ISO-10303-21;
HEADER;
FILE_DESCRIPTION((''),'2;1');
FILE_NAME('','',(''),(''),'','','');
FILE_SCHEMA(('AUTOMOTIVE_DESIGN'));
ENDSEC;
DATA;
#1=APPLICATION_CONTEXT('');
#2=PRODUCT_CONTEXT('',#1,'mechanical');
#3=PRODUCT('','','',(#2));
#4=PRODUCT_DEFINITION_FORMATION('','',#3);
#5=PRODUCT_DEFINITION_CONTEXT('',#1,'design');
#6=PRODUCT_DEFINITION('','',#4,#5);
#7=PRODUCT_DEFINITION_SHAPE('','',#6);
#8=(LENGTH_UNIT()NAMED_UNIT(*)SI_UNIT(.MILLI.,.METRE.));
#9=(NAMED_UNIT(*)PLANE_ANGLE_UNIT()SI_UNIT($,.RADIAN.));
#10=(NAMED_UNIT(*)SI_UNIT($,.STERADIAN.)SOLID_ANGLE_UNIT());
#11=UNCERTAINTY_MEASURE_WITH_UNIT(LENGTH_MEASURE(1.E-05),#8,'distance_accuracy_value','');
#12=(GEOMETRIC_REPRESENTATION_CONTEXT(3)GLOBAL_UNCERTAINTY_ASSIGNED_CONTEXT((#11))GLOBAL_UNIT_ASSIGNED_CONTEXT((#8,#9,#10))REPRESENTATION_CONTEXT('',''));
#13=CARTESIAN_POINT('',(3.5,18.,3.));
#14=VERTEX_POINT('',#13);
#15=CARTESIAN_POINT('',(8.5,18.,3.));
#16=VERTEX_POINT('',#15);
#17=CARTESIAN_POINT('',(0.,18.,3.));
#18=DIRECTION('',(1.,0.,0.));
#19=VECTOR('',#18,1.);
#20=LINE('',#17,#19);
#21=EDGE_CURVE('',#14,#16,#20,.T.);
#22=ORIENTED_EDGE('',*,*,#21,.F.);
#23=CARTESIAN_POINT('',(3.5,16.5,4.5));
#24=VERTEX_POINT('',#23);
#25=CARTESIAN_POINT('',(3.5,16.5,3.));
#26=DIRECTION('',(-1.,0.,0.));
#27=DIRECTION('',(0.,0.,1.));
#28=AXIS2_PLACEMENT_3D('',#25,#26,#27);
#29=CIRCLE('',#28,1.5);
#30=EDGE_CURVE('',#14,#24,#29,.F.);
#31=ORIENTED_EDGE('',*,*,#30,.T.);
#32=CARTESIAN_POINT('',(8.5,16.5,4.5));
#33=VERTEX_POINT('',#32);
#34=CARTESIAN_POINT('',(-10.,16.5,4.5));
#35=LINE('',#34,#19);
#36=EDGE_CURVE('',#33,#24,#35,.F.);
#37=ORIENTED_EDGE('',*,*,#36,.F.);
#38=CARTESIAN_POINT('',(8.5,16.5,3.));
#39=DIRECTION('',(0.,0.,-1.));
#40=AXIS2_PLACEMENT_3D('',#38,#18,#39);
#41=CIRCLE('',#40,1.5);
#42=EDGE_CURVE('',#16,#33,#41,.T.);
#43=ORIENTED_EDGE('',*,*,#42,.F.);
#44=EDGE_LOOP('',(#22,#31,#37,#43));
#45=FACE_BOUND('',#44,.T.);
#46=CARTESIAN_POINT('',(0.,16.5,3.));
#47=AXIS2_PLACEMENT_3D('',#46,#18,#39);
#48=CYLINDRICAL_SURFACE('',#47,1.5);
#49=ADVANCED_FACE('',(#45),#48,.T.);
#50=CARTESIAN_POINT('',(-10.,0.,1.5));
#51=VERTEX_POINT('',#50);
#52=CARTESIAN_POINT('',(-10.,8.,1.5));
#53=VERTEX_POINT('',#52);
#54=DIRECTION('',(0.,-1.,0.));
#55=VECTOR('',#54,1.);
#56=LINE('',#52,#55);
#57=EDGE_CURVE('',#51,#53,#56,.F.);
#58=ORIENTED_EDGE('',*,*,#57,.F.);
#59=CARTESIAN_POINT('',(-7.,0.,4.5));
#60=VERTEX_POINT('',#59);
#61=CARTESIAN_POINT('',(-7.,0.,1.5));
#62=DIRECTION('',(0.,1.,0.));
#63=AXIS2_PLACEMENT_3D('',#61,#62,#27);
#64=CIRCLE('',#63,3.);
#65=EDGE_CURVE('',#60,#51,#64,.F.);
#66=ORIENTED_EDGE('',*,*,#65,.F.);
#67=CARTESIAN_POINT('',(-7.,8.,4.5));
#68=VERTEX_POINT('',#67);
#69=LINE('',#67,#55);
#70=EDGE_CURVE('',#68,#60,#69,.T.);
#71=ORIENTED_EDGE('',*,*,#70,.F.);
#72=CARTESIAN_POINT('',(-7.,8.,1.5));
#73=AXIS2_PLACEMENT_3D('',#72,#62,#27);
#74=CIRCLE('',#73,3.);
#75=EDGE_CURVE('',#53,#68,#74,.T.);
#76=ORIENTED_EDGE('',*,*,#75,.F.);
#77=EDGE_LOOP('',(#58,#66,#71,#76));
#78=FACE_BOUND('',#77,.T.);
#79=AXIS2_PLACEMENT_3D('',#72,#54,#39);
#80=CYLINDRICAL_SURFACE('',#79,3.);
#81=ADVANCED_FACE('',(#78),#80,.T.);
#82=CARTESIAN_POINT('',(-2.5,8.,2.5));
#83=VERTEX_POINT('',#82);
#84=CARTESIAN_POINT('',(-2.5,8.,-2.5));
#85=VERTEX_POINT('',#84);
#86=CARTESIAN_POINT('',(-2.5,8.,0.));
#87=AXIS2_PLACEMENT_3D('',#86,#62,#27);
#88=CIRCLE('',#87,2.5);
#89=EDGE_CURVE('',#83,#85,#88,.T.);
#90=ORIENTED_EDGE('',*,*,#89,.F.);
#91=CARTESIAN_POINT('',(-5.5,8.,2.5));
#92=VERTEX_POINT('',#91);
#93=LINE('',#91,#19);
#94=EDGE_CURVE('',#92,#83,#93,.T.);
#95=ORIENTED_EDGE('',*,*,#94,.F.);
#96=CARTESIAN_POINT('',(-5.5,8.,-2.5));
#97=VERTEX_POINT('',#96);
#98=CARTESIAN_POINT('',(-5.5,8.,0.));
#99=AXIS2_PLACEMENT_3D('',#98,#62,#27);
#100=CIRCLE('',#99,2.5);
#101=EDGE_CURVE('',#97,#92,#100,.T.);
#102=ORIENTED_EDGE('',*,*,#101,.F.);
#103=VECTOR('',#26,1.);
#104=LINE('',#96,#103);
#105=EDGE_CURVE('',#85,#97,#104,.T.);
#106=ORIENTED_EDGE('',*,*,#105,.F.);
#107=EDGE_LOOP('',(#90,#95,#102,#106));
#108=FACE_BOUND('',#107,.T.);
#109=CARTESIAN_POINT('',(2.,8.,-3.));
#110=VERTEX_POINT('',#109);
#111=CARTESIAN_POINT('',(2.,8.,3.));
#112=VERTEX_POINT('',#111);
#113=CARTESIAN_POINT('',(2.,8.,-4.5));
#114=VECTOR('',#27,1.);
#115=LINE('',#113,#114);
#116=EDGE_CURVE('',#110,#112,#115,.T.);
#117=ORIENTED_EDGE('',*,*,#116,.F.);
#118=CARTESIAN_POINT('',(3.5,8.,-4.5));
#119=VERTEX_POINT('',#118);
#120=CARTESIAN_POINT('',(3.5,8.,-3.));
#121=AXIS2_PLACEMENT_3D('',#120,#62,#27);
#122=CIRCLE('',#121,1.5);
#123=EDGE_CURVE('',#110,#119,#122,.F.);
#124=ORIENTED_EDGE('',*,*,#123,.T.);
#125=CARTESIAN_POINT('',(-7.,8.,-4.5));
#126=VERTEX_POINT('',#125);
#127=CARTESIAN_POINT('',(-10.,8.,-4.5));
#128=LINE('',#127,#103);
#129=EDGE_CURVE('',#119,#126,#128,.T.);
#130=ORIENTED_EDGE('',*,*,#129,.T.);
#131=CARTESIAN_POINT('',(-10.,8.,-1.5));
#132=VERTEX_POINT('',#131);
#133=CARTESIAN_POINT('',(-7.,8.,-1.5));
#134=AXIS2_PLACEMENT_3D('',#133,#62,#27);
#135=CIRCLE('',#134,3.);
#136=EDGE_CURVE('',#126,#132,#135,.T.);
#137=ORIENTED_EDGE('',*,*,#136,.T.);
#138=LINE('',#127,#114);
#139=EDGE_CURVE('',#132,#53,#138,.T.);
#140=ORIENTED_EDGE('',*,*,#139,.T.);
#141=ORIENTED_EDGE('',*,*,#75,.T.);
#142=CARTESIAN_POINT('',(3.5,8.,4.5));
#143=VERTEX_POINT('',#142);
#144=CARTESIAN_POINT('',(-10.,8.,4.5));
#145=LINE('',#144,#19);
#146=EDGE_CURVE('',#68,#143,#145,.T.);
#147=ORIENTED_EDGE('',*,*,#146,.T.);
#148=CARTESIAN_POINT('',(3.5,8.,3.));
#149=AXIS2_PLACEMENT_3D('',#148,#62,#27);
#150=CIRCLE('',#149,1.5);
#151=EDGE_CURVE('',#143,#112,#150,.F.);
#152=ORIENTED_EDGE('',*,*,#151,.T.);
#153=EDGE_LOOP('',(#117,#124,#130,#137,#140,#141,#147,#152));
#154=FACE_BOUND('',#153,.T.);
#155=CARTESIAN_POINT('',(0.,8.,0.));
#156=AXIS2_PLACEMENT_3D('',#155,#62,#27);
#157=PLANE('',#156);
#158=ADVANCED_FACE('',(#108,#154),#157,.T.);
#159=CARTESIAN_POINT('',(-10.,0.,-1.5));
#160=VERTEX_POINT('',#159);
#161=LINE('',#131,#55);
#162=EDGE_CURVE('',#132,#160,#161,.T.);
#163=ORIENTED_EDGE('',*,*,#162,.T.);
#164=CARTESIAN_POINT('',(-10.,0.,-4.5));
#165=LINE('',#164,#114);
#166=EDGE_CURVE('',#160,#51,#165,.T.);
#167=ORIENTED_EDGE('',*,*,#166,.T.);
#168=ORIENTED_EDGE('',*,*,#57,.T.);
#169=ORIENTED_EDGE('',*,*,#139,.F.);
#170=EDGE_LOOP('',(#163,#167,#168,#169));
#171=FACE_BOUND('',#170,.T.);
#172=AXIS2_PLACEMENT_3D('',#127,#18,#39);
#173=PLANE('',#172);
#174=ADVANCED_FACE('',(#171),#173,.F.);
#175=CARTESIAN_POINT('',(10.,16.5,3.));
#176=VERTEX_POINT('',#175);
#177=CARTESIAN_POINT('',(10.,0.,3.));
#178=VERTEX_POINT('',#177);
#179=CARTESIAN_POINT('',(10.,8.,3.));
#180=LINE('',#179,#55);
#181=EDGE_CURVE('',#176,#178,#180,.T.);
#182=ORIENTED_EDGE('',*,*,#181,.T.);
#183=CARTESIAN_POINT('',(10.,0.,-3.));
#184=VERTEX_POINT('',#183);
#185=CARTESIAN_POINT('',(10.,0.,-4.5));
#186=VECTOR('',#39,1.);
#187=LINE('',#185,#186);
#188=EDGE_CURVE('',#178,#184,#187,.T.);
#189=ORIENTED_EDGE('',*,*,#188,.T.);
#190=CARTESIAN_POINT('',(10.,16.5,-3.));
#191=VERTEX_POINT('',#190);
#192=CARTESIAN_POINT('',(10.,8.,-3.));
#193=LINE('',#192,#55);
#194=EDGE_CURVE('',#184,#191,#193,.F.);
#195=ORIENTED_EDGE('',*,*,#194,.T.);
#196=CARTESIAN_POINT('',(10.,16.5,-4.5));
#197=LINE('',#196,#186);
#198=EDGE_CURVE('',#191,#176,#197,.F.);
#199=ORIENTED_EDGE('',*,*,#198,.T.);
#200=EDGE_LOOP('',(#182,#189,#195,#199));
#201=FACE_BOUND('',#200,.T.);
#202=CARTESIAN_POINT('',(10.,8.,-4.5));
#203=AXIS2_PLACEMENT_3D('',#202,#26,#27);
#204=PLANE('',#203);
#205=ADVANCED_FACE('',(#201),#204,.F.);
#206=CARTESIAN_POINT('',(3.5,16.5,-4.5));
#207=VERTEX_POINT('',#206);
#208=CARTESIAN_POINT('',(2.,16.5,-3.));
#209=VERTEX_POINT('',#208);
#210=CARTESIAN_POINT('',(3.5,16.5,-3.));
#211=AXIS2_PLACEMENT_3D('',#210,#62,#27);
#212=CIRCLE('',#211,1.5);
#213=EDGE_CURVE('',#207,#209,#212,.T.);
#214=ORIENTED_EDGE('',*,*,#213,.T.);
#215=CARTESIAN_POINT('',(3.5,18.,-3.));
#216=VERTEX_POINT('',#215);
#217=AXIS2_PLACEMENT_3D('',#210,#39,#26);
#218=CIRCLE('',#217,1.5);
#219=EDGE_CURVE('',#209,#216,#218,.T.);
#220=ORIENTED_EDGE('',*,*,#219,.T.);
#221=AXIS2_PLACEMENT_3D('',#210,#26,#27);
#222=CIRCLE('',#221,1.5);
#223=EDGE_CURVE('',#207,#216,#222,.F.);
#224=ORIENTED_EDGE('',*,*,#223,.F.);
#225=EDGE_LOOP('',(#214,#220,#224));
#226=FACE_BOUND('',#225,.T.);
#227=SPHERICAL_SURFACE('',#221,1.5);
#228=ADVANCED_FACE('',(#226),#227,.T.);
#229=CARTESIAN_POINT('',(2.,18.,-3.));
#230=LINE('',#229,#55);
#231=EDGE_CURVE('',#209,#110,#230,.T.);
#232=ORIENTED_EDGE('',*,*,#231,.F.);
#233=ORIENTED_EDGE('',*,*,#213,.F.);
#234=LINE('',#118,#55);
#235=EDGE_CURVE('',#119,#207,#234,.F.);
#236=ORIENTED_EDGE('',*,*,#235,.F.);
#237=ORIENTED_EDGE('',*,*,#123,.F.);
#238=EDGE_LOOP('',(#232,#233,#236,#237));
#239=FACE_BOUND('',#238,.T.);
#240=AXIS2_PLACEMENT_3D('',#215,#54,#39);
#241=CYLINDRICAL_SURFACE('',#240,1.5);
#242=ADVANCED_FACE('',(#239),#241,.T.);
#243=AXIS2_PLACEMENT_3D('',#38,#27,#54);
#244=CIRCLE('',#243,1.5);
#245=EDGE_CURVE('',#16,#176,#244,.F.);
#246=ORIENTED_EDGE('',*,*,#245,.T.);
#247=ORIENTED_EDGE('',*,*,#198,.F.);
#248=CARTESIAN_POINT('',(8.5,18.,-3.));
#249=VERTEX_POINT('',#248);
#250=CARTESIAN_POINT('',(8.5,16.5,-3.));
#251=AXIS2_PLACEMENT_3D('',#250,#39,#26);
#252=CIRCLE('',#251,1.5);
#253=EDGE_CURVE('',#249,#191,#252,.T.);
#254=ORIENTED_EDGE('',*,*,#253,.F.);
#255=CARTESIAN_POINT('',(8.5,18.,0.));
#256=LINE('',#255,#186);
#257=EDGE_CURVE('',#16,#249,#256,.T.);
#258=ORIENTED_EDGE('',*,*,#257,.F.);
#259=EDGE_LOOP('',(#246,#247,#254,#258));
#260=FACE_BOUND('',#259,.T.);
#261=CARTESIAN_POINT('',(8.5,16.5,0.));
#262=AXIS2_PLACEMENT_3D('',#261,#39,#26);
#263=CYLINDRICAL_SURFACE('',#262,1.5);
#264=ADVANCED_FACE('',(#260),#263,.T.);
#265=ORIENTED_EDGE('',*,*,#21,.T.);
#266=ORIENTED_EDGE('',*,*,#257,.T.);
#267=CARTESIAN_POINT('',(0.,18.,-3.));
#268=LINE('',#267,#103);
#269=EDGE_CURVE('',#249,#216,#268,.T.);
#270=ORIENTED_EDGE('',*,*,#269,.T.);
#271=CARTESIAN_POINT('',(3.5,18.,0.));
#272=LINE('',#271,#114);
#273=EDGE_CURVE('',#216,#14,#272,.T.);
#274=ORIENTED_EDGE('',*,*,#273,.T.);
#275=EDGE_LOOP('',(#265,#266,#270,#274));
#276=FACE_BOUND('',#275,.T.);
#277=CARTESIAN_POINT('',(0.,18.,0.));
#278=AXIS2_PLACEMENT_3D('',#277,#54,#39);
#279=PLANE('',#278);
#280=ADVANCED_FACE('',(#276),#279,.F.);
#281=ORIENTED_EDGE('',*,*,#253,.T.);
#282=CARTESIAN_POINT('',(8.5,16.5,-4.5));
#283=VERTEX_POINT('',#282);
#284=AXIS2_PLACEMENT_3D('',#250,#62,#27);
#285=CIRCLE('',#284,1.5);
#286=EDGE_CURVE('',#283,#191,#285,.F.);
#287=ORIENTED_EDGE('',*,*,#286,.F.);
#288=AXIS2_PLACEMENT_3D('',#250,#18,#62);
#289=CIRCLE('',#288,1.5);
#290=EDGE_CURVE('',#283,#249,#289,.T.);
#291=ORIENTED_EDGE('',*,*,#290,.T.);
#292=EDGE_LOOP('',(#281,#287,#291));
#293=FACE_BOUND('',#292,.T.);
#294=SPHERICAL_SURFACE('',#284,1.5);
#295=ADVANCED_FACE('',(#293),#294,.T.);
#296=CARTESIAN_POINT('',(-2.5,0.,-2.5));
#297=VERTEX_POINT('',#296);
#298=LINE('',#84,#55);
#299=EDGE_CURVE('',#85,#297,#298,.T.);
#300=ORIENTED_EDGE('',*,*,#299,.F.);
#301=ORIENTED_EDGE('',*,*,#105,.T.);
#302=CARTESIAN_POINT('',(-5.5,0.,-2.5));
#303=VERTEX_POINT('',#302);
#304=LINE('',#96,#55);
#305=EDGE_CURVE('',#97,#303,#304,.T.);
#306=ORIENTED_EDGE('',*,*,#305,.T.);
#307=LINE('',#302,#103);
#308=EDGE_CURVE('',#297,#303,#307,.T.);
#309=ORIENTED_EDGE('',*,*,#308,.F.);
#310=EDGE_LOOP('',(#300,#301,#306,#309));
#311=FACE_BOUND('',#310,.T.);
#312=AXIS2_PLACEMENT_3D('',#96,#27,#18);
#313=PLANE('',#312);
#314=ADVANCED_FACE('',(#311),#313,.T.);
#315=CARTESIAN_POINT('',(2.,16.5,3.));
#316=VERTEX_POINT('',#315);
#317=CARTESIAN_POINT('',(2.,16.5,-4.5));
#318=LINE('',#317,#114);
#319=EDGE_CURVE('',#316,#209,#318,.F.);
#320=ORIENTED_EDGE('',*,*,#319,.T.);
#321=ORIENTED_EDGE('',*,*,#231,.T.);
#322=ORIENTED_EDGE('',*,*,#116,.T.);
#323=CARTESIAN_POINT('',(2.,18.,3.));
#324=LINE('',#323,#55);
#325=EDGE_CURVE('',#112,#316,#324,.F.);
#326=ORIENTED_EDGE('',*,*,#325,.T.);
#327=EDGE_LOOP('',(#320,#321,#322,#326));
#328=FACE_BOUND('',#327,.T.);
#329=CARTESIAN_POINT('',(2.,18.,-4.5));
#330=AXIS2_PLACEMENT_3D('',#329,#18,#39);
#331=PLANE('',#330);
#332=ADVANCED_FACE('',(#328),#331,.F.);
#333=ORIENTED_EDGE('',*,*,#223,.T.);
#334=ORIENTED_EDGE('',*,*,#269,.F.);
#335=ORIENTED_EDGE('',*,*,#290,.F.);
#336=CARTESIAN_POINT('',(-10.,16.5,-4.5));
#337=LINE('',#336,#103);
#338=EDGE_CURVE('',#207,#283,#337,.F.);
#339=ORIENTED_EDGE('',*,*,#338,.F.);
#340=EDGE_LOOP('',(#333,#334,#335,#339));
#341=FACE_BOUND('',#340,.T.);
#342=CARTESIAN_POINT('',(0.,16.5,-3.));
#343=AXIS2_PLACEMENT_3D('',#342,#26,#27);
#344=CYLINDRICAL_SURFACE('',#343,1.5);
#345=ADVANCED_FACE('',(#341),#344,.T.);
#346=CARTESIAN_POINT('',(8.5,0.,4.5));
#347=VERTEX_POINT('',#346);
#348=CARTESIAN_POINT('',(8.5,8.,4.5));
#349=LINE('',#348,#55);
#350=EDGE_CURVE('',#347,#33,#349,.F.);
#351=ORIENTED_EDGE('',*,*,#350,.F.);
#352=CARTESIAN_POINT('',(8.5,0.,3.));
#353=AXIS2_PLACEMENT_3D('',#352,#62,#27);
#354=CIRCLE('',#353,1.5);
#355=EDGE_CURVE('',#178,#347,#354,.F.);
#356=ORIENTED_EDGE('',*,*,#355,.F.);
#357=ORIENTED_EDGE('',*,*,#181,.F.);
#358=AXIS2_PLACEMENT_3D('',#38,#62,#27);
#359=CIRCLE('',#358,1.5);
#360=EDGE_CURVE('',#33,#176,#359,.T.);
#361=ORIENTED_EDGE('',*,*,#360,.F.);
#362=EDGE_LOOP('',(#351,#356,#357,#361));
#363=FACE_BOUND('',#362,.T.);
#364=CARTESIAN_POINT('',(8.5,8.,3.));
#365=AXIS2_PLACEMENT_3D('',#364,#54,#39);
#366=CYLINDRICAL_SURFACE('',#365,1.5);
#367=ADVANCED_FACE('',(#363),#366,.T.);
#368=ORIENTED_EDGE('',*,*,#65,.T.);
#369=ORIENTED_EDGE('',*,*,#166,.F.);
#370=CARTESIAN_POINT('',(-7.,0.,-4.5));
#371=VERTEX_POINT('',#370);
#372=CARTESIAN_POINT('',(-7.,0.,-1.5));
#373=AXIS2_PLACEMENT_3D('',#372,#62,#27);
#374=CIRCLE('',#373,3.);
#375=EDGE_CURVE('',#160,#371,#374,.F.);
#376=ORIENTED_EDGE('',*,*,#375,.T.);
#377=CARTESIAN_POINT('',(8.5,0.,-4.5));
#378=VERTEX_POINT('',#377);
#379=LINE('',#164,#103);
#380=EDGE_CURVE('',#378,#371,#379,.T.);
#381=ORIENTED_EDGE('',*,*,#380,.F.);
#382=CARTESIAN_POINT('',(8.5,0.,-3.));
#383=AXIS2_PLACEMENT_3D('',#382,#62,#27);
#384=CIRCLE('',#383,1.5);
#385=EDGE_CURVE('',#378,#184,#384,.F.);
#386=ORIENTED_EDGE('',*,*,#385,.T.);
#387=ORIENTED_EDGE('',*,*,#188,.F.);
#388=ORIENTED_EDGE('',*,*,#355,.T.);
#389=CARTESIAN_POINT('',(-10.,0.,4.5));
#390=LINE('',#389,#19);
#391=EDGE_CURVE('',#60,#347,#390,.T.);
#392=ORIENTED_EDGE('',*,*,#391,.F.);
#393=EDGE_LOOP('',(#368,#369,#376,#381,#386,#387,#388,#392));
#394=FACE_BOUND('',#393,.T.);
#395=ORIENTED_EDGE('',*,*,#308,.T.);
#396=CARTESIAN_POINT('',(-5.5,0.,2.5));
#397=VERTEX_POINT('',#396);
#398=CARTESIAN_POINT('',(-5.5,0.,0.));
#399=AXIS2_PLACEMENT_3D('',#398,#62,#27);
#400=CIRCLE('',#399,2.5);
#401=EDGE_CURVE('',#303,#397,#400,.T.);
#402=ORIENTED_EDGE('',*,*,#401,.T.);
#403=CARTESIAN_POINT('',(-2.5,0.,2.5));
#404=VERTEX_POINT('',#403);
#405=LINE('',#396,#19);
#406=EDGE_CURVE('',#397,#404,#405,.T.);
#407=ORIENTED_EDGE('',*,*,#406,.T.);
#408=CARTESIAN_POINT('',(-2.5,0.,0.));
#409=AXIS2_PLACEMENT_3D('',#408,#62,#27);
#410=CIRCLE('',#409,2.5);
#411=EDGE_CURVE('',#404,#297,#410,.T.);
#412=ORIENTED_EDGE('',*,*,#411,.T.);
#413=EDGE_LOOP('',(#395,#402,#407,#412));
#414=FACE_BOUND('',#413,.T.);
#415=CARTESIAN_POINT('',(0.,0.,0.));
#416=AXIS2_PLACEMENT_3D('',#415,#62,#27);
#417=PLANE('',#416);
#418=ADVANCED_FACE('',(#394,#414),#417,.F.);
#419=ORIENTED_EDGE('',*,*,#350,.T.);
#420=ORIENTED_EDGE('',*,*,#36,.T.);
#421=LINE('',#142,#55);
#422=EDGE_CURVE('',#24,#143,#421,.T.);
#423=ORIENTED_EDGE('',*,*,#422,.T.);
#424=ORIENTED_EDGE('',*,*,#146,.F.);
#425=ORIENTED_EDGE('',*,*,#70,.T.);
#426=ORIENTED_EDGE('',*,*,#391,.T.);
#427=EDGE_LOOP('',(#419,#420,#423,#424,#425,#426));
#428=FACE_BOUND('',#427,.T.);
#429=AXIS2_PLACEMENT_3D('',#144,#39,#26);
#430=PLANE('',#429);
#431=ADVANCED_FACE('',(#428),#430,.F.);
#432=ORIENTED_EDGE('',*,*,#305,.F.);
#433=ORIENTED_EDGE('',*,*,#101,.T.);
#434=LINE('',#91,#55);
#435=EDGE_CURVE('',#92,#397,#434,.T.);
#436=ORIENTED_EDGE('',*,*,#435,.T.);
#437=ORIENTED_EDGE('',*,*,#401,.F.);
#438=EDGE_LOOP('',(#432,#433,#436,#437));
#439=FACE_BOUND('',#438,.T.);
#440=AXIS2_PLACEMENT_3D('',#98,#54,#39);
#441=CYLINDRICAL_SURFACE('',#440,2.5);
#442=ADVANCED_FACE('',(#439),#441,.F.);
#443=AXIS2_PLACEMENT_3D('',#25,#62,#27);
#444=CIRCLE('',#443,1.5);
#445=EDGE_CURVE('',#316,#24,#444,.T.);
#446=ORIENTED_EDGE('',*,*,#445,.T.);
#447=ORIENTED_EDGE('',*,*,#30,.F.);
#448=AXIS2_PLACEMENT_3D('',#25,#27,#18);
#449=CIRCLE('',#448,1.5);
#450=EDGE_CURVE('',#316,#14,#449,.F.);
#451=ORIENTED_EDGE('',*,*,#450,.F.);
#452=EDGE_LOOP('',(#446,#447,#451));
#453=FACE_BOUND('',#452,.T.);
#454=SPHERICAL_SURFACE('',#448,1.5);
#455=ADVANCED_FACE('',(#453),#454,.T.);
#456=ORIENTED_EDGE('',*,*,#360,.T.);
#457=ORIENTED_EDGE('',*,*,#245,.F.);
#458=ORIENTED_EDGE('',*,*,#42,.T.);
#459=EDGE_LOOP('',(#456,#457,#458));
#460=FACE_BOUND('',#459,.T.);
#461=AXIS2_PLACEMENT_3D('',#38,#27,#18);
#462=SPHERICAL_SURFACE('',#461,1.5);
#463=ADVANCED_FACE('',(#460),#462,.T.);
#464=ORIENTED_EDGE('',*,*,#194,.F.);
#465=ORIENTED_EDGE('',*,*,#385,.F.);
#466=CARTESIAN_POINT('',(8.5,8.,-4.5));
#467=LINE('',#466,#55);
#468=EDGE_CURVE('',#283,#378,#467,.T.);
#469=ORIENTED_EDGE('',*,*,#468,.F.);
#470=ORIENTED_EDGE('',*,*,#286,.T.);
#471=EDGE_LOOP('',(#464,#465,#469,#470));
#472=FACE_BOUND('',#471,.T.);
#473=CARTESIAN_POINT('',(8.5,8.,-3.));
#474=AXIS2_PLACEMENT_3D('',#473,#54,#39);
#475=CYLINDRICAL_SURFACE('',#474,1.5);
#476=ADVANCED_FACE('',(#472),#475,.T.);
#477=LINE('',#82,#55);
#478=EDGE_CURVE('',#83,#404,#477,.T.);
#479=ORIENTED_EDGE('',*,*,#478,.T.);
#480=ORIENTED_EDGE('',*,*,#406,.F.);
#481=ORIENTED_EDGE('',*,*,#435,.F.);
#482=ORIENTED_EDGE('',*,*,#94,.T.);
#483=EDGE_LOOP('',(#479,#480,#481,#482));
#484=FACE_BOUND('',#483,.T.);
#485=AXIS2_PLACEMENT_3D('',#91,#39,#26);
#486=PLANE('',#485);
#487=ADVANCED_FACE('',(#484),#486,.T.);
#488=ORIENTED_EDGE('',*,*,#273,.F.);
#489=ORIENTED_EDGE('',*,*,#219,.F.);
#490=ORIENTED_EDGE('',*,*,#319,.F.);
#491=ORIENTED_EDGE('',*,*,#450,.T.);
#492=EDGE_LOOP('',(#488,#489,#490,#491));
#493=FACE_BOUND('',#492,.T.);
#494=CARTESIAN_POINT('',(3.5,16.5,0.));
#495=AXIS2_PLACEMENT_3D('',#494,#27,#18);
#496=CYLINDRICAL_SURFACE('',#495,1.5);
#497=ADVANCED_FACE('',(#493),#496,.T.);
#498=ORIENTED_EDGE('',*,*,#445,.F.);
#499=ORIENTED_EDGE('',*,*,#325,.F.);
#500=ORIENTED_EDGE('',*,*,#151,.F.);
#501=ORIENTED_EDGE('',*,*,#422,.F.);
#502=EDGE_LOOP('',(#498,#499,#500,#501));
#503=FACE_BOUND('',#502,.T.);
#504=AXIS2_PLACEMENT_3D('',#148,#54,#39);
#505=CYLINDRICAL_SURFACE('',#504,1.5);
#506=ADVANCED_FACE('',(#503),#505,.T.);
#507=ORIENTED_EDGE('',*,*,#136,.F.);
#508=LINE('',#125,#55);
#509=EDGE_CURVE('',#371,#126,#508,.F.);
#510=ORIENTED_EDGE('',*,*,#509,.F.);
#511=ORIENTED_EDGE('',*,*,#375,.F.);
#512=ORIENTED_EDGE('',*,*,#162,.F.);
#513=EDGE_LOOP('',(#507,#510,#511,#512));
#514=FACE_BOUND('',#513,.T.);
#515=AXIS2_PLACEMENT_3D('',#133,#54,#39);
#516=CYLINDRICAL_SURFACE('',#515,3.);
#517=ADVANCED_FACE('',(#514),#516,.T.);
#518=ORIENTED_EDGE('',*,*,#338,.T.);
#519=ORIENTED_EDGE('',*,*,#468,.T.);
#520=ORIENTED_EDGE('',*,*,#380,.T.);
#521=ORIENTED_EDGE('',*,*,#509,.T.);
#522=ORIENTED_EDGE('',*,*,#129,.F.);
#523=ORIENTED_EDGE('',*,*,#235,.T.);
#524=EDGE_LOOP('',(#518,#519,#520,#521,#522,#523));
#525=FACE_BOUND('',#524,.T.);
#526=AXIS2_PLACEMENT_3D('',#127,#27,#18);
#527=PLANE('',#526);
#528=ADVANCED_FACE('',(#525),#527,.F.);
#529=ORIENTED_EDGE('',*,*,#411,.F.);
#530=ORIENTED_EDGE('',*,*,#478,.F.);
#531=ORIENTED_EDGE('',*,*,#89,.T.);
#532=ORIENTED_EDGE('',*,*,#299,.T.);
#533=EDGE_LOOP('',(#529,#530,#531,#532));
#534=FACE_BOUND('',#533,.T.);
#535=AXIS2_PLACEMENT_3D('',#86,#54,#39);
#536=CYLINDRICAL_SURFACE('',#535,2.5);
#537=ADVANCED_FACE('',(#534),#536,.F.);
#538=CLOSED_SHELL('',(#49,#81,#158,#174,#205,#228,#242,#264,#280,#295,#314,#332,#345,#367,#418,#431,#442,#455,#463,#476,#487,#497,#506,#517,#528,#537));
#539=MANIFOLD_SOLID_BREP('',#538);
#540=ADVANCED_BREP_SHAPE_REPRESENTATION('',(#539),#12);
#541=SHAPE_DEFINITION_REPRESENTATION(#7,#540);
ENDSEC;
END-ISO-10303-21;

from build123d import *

# Parameters (mm, degrees)
SKETCH1_W           = 20
SKETCH1_H           = 9
BOSS_EXTRUDE1_DEPTH = 8
SKETCH2_W           = 8
SKETCH2_H           = 9
BOSS_EXTRUDE2_DEPTH = 10
FILLET1_R           = 3
FILLET3_R           = 1.5


with BuildPart() as part:
    # Sketch1 → Boss-Extrude1 (new body)
    with BuildSketch(Plane(origin=(0, 0, 0), x_dir=(1, 0, 0), z_dir=(0, 1, 0))):
        Rectangle(SKETCH1_W, SKETCH1_H)
        with BuildLine():
            Line((-5.5, 2.5), (-2.5, 2.5))
            ThreePointArc((-2.5, 2.5), (0, 0), (-2.5, -2.5))
            Line((-2.5, -2.5), (-5.5, -2.5))
            ThreePointArc((-5.5, -2.5), (-8, 0), (-5.5, 2.5))
        make_face(mode=Mode.SUBTRACT)
    extrude(amount=BOSS_EXTRUDE1_DEPTH)

    # Sketch2 → Boss-Extrude2 (add)
    with BuildSketch(Plane(origin=(0, 8, 0), x_dir=(1, 0, 0), z_dir=(0, 1, 0))):
        with Locations((6, 0)):
            Rectangle(SKETCH2_W, SKETCH2_H)
    extrude(amount=BOSS_EXTRUDE2_DEPTH)

    # Fillet1
    fillet1_edges = [part.edges().sort_by_distance(p)[0] for p in [
        (-10, 4, 4.5),
        (-10, 4, -4.5),
    ]]
    fillet(fillet1_edges, radius=FILLET1_R)

    # Fillet3
    fillet3_edges = [part.edges().sort_by_distance(p)[0] for p in [
        (2, 13, -4.5),
        (2, 13, 4.5),
        (10, 18, 0),
        (6, 18, -4.5),
        (2, 18, 0),
        (6, 18, 4.5),
        (10, 9, 4.5),
        (10, 9, -4.5),
    ]]
    fillet(fillet3_edges, radius=FILLET3_R)


solid = part.part
